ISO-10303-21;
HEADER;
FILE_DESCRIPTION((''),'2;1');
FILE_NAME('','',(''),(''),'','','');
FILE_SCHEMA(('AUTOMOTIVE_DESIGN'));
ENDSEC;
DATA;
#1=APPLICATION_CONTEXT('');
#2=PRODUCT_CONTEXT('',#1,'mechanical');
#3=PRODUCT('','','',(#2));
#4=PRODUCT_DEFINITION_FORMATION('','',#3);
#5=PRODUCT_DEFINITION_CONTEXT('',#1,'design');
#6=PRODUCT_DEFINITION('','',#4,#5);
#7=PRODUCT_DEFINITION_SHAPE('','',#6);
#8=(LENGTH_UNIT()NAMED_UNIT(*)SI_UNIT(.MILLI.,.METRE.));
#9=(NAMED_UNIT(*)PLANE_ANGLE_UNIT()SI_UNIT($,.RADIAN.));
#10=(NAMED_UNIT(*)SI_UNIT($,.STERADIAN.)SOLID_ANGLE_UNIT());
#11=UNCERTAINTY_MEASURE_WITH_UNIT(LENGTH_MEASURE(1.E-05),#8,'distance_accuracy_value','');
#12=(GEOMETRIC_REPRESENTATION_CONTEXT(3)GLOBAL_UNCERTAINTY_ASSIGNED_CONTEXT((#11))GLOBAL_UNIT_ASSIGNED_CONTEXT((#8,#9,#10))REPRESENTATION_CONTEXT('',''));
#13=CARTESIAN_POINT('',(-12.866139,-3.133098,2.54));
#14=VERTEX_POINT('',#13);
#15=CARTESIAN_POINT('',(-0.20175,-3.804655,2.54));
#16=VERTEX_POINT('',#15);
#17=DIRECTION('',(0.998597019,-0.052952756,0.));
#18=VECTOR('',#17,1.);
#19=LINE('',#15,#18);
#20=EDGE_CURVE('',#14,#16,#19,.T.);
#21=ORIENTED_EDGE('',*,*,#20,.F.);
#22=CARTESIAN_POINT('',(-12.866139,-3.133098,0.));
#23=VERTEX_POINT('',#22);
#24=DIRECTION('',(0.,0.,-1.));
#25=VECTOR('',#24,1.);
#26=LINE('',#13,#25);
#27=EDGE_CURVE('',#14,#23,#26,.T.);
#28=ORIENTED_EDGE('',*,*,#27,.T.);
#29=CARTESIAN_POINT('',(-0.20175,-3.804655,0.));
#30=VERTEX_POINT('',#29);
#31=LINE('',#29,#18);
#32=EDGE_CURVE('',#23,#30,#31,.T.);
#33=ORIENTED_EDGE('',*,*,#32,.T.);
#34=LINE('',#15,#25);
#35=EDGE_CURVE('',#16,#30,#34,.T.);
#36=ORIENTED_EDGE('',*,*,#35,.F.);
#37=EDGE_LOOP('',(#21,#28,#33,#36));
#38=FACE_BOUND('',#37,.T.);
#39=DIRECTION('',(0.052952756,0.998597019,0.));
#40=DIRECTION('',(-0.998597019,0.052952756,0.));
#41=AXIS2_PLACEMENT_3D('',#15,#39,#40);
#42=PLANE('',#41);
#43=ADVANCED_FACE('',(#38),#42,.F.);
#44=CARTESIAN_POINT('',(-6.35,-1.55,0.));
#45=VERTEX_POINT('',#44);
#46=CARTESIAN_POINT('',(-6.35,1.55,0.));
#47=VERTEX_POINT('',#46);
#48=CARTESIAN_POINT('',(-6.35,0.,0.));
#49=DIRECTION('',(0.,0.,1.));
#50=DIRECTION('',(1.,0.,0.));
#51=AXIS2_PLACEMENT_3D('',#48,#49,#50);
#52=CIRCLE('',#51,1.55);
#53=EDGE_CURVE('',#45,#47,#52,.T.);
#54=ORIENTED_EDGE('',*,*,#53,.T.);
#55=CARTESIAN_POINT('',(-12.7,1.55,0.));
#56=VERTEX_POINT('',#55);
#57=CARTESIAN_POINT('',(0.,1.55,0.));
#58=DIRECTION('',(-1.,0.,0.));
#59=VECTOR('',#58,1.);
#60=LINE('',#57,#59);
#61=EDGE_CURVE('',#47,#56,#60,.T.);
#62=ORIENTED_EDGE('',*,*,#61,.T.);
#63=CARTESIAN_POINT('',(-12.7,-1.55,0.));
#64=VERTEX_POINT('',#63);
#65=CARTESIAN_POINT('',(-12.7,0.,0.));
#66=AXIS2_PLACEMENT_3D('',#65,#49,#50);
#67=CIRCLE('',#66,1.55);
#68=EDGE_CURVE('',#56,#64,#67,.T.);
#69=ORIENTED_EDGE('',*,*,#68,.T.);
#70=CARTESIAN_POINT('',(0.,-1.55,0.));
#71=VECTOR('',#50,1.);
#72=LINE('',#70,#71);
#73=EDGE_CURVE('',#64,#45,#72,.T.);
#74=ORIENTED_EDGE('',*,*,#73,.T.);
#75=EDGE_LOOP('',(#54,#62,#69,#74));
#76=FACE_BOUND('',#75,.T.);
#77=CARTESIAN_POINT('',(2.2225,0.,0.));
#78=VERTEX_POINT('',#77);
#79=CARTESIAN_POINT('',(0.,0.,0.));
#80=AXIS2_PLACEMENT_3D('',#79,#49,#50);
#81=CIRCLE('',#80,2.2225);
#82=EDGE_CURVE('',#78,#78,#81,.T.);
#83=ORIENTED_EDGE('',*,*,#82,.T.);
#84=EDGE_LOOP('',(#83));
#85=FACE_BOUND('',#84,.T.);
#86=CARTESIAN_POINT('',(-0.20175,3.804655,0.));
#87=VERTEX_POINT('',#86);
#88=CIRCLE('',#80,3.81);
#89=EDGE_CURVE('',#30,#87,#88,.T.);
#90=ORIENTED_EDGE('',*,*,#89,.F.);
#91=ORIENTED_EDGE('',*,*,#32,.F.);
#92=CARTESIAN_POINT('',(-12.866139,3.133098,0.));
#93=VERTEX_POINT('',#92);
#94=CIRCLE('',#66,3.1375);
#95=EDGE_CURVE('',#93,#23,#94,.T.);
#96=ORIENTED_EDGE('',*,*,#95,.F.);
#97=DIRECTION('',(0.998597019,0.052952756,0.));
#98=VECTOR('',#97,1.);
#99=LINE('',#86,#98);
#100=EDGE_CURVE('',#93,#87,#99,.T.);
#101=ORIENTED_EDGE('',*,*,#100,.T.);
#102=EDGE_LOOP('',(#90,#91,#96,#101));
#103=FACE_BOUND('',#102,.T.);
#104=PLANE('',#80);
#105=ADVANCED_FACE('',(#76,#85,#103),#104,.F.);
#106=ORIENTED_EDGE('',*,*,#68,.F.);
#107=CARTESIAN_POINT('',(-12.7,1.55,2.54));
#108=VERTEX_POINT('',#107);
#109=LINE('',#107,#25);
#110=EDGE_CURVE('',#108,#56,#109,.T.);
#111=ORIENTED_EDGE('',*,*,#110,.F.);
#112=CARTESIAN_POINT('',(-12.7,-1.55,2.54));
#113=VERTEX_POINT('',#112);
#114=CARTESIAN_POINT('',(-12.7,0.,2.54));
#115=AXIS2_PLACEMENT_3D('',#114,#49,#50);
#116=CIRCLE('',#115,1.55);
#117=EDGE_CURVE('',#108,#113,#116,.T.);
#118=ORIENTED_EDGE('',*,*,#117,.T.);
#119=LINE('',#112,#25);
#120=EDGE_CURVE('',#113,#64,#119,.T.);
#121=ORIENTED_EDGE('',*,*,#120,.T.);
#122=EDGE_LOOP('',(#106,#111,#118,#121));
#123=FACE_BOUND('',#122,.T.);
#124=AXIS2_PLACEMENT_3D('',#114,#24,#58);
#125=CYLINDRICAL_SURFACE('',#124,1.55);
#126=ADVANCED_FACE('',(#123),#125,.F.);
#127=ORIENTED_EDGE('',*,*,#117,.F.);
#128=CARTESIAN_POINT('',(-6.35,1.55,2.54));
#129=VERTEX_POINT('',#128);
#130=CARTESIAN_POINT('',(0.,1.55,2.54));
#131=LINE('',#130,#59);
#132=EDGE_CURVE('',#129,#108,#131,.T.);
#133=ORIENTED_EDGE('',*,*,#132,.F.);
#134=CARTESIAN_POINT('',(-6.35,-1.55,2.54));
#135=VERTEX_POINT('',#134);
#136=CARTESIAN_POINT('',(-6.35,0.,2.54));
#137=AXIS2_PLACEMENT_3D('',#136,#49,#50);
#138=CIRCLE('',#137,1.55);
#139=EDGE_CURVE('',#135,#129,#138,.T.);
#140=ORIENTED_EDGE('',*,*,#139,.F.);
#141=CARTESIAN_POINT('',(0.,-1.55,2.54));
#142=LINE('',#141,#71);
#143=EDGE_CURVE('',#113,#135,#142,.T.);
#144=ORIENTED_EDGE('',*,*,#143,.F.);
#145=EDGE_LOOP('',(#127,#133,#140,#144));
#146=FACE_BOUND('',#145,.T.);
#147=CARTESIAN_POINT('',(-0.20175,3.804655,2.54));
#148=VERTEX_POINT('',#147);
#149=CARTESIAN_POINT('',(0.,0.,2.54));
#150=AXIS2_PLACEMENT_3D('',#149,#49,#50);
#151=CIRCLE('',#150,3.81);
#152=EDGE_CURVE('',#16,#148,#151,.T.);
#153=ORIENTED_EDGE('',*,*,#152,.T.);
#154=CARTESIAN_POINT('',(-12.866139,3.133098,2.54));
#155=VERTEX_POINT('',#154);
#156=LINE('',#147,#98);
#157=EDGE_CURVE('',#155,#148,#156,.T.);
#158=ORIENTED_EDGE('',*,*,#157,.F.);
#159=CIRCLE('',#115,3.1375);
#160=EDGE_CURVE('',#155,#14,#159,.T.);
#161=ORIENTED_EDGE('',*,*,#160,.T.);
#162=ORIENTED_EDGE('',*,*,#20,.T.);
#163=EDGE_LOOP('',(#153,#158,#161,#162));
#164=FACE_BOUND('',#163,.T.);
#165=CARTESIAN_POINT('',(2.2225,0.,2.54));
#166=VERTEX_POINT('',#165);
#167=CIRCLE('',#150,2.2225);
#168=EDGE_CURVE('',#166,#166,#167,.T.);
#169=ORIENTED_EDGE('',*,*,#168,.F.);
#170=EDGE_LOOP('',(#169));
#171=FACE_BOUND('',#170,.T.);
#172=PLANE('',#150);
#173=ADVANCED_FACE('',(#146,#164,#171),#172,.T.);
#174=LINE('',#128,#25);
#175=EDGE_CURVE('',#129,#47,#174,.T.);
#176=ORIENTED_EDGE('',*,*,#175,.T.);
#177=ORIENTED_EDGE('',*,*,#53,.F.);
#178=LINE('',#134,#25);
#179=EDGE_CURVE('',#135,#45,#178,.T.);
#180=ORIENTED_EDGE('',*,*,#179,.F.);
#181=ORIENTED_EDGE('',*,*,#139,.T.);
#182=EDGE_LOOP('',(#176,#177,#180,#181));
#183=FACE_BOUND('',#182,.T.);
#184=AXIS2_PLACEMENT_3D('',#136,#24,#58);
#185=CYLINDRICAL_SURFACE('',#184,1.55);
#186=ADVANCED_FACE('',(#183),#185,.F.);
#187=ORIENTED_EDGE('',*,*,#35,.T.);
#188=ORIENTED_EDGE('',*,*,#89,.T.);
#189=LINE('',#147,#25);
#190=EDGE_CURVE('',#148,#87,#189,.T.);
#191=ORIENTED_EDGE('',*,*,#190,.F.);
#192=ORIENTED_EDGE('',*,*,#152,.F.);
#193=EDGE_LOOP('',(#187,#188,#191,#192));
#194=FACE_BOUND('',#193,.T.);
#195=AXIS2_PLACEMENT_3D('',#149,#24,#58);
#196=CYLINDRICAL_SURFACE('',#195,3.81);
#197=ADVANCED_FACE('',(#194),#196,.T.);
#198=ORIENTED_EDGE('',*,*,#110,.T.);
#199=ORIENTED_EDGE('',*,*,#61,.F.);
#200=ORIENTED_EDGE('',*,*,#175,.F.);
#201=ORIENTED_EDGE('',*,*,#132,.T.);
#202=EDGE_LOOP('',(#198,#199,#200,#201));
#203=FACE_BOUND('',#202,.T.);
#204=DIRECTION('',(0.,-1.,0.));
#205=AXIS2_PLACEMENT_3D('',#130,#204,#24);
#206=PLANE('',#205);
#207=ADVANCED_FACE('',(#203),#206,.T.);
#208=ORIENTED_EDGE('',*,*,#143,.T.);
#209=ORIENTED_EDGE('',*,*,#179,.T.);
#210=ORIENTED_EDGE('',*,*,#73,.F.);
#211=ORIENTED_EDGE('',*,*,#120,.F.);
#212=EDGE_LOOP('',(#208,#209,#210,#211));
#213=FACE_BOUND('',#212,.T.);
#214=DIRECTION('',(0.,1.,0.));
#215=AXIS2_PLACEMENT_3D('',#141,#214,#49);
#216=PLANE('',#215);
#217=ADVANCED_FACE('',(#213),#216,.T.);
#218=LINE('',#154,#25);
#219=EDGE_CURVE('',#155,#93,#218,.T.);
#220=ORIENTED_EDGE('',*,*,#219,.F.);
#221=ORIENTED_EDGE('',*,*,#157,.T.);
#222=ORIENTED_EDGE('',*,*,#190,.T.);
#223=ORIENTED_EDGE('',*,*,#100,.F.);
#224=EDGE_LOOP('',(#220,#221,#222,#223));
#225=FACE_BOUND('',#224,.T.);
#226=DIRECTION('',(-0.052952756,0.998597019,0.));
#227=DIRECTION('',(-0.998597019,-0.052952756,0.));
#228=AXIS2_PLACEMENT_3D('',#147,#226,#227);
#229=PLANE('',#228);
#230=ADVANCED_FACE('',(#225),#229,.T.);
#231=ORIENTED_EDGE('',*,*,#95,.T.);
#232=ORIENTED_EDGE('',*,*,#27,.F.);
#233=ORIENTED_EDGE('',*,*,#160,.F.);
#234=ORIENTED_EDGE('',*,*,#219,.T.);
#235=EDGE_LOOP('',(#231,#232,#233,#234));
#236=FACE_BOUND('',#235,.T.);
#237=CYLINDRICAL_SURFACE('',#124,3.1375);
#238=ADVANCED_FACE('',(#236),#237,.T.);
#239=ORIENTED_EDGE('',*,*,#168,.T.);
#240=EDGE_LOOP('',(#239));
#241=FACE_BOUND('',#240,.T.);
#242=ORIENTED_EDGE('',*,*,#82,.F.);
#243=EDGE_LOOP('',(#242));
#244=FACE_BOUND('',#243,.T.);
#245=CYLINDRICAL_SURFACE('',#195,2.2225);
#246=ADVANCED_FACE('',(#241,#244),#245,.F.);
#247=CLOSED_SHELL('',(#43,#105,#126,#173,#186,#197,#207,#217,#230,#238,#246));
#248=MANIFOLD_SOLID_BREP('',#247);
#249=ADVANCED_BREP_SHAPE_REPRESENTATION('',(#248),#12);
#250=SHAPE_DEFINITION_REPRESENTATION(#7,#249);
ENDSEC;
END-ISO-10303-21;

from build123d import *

# Parameters (mm, degrees)
SKETCH1_R           = 2.2225
BOSS_EXTRUDE1_DEPTH = 2.54


with BuildPart() as part:
    # Sketch1 → Boss-Extrude1 (new body)
    with BuildSketch(Plane.XY):
        with BuildLine():
            ThreePointArc((-12.866139272, 3.133098146), (-15.8375, 0), (-12.866139272, -3.133098146))
            Line((-12.866139272, -3.133098146), (-0.20175, -3.804654641))
            ThreePointArc((-0.20175, -3.804654641), (3.81, 0), (-0.20175, 3.804654641))
            Line((-0.20175, 3.804654641), (-12.866139272, 3.133098146))
        make_face()
        with BuildLine():
            Line((-12.7, 1.55), (-6.35, 1.55))
            ThreePointArc((-6.35, 1.55), (-4.8, 0), (-6.35, -1.55))
            Line((-6.35, -1.55), (-12.7, -1.55))
            ThreePointArc((-12.7, -1.55), (-14.25, 0), (-12.7, 1.55))
        make_face(mode=Mode.SUBTRACT)
        Circle(SKETCH1_R, mode=Mode.SUBTRACT)
    extrude(amount=BOSS_EXTRUDE1_DEPTH)


solid = part.part
